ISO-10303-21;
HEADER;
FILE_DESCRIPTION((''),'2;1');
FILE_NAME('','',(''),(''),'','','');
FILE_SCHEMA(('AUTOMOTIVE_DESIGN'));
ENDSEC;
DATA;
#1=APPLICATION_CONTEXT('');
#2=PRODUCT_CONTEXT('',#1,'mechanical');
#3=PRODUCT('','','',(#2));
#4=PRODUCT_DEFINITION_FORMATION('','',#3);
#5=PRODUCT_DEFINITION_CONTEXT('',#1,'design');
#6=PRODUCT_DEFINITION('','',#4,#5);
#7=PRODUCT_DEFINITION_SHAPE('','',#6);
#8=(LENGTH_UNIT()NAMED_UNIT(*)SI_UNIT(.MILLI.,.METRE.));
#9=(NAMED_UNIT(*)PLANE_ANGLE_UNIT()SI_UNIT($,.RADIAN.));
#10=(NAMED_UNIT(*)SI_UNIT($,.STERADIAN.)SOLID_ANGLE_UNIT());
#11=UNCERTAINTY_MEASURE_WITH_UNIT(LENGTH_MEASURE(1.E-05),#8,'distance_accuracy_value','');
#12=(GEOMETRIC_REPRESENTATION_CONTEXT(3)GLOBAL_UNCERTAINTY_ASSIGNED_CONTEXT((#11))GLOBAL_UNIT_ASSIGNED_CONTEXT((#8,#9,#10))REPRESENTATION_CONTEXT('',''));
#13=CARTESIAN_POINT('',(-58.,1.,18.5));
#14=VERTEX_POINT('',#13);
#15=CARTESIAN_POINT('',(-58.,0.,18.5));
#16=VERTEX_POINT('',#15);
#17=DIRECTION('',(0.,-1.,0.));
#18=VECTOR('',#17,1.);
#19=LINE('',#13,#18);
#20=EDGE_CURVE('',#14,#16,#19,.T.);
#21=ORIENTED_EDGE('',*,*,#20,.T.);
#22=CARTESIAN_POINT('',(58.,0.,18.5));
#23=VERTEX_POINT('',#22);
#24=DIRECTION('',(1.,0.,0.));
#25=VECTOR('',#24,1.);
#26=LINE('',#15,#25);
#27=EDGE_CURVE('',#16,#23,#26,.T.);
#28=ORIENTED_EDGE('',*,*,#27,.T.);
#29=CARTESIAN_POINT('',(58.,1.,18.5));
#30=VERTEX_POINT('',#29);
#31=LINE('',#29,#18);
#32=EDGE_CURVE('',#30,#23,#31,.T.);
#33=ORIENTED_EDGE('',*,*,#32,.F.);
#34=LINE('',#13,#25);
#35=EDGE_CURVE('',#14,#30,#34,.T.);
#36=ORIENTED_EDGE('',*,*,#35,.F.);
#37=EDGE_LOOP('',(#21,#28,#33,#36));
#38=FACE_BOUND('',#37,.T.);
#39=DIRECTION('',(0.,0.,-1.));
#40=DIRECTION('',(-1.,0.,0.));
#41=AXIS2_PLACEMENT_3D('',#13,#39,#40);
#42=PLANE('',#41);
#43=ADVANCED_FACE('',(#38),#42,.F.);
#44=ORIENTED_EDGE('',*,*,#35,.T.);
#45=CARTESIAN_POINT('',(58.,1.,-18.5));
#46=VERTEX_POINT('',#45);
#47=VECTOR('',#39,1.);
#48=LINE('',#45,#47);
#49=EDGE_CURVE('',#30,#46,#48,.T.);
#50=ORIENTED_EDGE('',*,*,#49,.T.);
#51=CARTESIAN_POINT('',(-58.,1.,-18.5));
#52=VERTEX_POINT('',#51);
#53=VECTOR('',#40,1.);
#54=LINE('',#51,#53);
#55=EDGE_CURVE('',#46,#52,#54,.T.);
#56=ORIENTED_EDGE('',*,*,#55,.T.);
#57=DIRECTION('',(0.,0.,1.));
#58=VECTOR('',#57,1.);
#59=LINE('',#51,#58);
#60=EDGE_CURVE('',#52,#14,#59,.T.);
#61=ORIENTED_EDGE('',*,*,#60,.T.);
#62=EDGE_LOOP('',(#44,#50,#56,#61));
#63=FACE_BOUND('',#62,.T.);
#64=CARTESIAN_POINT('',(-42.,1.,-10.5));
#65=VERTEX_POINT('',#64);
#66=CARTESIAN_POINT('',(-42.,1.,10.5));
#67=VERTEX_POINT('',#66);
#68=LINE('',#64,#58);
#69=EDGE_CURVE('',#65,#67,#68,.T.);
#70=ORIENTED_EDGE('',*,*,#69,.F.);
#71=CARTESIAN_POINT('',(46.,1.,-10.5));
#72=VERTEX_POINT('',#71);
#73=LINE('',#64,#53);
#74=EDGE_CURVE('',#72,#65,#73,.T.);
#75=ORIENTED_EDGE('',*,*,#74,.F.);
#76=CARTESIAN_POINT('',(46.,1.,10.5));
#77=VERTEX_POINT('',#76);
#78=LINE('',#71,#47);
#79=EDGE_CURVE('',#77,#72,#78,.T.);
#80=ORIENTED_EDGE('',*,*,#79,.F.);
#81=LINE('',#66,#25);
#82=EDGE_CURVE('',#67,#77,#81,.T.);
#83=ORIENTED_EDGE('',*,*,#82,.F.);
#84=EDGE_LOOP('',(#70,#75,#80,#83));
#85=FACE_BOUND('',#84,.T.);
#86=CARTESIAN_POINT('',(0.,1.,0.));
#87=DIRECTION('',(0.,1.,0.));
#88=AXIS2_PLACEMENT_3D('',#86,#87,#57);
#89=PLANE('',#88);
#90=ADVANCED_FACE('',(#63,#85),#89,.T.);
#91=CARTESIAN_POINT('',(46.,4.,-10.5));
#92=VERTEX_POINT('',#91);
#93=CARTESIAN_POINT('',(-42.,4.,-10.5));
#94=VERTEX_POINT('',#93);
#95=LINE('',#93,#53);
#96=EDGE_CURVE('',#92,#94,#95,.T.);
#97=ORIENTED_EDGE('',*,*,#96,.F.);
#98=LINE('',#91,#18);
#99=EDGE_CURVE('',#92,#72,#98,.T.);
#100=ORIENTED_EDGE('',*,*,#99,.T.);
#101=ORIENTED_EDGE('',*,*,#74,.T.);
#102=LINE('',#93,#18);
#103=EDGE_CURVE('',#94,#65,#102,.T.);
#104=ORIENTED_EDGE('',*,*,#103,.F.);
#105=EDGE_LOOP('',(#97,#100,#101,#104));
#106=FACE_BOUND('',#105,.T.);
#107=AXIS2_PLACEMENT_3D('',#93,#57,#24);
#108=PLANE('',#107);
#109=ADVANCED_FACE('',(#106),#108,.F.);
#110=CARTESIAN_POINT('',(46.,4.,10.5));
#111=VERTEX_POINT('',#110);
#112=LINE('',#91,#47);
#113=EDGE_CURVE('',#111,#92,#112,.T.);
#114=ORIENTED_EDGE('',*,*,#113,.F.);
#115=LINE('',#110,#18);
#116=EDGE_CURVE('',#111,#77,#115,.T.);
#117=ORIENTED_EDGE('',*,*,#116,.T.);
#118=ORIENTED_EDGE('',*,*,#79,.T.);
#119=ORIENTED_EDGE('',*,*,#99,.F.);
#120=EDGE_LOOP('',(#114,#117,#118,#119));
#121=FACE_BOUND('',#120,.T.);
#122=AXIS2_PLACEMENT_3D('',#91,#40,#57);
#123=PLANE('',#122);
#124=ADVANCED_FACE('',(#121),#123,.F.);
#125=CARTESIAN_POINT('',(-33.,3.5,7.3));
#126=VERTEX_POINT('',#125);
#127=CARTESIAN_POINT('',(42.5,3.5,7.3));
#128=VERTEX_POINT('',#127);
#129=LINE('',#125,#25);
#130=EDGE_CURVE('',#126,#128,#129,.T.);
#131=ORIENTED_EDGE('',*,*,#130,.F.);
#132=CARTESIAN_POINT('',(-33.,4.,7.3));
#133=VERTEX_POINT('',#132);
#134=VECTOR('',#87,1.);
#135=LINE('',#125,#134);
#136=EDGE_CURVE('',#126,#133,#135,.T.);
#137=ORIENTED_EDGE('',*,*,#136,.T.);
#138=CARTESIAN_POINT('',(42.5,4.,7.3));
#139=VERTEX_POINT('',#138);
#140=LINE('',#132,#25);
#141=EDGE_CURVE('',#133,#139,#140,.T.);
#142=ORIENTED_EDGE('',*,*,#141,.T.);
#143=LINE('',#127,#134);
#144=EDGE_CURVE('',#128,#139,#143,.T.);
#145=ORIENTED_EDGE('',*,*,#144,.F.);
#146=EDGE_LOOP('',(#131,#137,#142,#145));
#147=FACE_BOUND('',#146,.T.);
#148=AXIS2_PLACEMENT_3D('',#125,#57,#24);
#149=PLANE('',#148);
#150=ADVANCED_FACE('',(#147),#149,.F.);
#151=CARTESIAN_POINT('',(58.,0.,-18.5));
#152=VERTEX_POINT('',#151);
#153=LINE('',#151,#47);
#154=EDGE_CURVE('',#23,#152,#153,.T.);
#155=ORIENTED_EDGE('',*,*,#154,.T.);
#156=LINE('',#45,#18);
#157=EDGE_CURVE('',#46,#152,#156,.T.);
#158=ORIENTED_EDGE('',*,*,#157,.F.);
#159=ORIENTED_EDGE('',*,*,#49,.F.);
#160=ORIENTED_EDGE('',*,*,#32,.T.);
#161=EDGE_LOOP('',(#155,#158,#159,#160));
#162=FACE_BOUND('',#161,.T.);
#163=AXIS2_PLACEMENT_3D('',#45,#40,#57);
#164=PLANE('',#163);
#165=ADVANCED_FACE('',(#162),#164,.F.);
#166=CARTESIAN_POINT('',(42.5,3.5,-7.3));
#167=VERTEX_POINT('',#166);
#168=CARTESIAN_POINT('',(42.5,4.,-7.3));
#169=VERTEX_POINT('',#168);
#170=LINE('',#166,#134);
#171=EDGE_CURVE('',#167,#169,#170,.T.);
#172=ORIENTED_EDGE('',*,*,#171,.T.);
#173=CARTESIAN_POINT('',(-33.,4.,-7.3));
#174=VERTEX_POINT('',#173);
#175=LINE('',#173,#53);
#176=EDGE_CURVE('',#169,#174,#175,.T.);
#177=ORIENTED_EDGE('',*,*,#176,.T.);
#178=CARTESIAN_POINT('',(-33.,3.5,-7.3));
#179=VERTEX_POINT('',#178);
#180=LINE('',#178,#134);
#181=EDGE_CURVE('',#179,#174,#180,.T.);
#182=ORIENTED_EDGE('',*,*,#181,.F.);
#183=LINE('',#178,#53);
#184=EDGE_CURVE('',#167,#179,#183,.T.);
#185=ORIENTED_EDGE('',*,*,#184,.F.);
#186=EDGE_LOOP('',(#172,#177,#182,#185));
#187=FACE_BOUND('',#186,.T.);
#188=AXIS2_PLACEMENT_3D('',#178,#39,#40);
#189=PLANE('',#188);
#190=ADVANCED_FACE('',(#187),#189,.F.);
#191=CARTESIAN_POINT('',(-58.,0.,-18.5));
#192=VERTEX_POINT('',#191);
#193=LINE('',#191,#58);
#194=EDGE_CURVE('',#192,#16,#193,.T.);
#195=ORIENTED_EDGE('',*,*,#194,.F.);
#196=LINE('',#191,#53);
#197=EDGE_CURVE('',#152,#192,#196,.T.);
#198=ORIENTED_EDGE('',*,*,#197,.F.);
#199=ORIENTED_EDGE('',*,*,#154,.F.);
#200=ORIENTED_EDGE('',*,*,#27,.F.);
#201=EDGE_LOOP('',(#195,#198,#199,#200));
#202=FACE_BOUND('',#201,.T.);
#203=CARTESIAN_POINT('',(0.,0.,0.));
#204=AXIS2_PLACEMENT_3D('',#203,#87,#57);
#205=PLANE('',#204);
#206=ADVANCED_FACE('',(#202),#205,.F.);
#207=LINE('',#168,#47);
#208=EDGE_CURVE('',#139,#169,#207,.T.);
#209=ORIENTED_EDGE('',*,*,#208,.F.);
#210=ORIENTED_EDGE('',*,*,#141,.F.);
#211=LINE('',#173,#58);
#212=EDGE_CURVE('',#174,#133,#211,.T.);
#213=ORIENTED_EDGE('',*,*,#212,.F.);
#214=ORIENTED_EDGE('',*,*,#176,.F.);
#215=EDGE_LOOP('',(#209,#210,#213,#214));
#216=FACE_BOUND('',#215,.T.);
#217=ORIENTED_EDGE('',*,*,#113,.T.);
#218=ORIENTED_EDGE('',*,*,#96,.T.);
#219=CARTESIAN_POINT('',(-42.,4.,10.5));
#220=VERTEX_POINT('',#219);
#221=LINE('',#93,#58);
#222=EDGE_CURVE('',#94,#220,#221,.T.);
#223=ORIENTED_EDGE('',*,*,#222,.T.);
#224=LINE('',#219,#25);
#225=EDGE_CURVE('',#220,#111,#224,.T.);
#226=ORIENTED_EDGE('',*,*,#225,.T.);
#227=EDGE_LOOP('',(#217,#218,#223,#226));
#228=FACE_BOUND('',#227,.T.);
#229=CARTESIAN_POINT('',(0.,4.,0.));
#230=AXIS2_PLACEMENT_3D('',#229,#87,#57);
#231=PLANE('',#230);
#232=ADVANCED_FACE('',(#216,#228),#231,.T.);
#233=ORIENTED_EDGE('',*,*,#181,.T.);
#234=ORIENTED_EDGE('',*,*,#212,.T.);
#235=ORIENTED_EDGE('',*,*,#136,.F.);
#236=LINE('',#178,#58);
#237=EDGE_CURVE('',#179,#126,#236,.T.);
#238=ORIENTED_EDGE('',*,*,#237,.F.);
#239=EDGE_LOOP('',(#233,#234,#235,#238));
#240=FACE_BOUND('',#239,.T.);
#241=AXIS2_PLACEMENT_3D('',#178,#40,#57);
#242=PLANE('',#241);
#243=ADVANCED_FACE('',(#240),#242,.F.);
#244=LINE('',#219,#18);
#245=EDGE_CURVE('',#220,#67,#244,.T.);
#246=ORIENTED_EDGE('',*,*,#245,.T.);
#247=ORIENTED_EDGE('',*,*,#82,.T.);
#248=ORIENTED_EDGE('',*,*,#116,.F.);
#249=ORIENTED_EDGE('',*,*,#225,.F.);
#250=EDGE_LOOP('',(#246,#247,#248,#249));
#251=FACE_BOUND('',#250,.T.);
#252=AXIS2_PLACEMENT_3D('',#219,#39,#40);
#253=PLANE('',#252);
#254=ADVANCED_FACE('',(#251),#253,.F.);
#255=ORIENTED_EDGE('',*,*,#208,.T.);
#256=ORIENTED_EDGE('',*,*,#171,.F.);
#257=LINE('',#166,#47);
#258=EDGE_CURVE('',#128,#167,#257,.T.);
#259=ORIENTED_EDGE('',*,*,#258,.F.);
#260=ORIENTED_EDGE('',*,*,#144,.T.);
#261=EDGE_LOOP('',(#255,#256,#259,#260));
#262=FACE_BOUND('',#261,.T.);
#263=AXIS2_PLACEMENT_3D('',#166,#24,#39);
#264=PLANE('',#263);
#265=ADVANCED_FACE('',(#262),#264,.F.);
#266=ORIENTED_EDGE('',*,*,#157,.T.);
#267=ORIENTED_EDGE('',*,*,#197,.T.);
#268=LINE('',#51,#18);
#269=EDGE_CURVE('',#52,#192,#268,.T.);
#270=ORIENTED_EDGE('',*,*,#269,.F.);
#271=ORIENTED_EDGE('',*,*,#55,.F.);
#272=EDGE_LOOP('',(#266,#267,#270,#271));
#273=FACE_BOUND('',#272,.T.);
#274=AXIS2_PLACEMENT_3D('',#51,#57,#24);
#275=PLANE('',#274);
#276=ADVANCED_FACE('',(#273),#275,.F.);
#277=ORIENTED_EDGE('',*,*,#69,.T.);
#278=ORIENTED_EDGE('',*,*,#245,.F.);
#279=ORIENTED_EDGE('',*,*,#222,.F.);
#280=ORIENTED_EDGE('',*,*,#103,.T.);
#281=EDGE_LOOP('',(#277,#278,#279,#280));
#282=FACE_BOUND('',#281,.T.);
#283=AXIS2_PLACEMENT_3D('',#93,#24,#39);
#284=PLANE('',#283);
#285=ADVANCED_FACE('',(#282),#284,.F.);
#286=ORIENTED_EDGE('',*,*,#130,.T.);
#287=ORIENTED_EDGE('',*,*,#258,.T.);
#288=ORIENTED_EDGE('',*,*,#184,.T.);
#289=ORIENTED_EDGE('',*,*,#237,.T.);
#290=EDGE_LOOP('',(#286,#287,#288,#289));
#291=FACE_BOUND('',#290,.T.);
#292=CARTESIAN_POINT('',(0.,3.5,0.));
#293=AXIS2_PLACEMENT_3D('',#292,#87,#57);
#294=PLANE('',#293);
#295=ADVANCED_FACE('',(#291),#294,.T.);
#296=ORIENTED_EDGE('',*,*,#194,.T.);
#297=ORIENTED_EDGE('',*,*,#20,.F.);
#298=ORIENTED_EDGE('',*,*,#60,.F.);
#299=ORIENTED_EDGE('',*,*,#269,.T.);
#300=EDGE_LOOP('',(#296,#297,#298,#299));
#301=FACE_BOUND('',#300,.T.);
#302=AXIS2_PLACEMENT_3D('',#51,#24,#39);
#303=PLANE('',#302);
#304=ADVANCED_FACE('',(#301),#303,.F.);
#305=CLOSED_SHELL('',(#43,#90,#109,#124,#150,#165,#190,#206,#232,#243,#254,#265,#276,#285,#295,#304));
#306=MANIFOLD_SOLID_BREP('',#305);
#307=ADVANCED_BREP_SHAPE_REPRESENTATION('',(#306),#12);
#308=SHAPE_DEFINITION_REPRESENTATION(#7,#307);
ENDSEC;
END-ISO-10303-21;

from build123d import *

# Parameters (mm, degrees)
SKETCH1_W           = 116
SKETCH1_H           = 37
BOSS_EXTRUDE1_DEPTH = 1
SKETCH2_W           = 88
SKETCH2_H           = 21
BOSS_EXTRUDE2_DEPTH = 3
SKETCH3_W           = 75.5
SKETCH3_H           = 14.6
CUT_EXTRUDE1_DEPTH  = 0.5


with BuildPart() as part:
    # Sketch1 → Boss-Extrude1 (new body)
    with BuildSketch(Plane(origin=(0, 0, 0), x_dir=(1, 0, 0), z_dir=(0, 1, 0))):
        Rectangle(SKETCH1_W, SKETCH1_H)
    extrude(amount=BOSS_EXTRUDE1_DEPTH)

    # Sketch2 → Boss-Extrude2 (add)
    with BuildSketch(Plane(origin=(0, 1, 0), x_dir=(1, 0, 0), z_dir=(0, 1, 0))):
        with Locations((2, 0)):
            Rectangle(SKETCH2_W, SKETCH2_H)
    extrude(amount=BOSS_EXTRUDE2_DEPTH)

    # Sketch3 → Cut-Extrude1 (cut)
    with BuildSketch(Plane(origin=(0, 4, 0), x_dir=(1, 0, 0), z_dir=(0, 1, 0))):
        with Locations((4.75, 0)):
            Rectangle(SKETCH3_W, SKETCH3_H)
    extrude(amount=-CUT_EXTRUDE1_DEPTH, mode=Mode.SUBTRACT)


solid = part.part
